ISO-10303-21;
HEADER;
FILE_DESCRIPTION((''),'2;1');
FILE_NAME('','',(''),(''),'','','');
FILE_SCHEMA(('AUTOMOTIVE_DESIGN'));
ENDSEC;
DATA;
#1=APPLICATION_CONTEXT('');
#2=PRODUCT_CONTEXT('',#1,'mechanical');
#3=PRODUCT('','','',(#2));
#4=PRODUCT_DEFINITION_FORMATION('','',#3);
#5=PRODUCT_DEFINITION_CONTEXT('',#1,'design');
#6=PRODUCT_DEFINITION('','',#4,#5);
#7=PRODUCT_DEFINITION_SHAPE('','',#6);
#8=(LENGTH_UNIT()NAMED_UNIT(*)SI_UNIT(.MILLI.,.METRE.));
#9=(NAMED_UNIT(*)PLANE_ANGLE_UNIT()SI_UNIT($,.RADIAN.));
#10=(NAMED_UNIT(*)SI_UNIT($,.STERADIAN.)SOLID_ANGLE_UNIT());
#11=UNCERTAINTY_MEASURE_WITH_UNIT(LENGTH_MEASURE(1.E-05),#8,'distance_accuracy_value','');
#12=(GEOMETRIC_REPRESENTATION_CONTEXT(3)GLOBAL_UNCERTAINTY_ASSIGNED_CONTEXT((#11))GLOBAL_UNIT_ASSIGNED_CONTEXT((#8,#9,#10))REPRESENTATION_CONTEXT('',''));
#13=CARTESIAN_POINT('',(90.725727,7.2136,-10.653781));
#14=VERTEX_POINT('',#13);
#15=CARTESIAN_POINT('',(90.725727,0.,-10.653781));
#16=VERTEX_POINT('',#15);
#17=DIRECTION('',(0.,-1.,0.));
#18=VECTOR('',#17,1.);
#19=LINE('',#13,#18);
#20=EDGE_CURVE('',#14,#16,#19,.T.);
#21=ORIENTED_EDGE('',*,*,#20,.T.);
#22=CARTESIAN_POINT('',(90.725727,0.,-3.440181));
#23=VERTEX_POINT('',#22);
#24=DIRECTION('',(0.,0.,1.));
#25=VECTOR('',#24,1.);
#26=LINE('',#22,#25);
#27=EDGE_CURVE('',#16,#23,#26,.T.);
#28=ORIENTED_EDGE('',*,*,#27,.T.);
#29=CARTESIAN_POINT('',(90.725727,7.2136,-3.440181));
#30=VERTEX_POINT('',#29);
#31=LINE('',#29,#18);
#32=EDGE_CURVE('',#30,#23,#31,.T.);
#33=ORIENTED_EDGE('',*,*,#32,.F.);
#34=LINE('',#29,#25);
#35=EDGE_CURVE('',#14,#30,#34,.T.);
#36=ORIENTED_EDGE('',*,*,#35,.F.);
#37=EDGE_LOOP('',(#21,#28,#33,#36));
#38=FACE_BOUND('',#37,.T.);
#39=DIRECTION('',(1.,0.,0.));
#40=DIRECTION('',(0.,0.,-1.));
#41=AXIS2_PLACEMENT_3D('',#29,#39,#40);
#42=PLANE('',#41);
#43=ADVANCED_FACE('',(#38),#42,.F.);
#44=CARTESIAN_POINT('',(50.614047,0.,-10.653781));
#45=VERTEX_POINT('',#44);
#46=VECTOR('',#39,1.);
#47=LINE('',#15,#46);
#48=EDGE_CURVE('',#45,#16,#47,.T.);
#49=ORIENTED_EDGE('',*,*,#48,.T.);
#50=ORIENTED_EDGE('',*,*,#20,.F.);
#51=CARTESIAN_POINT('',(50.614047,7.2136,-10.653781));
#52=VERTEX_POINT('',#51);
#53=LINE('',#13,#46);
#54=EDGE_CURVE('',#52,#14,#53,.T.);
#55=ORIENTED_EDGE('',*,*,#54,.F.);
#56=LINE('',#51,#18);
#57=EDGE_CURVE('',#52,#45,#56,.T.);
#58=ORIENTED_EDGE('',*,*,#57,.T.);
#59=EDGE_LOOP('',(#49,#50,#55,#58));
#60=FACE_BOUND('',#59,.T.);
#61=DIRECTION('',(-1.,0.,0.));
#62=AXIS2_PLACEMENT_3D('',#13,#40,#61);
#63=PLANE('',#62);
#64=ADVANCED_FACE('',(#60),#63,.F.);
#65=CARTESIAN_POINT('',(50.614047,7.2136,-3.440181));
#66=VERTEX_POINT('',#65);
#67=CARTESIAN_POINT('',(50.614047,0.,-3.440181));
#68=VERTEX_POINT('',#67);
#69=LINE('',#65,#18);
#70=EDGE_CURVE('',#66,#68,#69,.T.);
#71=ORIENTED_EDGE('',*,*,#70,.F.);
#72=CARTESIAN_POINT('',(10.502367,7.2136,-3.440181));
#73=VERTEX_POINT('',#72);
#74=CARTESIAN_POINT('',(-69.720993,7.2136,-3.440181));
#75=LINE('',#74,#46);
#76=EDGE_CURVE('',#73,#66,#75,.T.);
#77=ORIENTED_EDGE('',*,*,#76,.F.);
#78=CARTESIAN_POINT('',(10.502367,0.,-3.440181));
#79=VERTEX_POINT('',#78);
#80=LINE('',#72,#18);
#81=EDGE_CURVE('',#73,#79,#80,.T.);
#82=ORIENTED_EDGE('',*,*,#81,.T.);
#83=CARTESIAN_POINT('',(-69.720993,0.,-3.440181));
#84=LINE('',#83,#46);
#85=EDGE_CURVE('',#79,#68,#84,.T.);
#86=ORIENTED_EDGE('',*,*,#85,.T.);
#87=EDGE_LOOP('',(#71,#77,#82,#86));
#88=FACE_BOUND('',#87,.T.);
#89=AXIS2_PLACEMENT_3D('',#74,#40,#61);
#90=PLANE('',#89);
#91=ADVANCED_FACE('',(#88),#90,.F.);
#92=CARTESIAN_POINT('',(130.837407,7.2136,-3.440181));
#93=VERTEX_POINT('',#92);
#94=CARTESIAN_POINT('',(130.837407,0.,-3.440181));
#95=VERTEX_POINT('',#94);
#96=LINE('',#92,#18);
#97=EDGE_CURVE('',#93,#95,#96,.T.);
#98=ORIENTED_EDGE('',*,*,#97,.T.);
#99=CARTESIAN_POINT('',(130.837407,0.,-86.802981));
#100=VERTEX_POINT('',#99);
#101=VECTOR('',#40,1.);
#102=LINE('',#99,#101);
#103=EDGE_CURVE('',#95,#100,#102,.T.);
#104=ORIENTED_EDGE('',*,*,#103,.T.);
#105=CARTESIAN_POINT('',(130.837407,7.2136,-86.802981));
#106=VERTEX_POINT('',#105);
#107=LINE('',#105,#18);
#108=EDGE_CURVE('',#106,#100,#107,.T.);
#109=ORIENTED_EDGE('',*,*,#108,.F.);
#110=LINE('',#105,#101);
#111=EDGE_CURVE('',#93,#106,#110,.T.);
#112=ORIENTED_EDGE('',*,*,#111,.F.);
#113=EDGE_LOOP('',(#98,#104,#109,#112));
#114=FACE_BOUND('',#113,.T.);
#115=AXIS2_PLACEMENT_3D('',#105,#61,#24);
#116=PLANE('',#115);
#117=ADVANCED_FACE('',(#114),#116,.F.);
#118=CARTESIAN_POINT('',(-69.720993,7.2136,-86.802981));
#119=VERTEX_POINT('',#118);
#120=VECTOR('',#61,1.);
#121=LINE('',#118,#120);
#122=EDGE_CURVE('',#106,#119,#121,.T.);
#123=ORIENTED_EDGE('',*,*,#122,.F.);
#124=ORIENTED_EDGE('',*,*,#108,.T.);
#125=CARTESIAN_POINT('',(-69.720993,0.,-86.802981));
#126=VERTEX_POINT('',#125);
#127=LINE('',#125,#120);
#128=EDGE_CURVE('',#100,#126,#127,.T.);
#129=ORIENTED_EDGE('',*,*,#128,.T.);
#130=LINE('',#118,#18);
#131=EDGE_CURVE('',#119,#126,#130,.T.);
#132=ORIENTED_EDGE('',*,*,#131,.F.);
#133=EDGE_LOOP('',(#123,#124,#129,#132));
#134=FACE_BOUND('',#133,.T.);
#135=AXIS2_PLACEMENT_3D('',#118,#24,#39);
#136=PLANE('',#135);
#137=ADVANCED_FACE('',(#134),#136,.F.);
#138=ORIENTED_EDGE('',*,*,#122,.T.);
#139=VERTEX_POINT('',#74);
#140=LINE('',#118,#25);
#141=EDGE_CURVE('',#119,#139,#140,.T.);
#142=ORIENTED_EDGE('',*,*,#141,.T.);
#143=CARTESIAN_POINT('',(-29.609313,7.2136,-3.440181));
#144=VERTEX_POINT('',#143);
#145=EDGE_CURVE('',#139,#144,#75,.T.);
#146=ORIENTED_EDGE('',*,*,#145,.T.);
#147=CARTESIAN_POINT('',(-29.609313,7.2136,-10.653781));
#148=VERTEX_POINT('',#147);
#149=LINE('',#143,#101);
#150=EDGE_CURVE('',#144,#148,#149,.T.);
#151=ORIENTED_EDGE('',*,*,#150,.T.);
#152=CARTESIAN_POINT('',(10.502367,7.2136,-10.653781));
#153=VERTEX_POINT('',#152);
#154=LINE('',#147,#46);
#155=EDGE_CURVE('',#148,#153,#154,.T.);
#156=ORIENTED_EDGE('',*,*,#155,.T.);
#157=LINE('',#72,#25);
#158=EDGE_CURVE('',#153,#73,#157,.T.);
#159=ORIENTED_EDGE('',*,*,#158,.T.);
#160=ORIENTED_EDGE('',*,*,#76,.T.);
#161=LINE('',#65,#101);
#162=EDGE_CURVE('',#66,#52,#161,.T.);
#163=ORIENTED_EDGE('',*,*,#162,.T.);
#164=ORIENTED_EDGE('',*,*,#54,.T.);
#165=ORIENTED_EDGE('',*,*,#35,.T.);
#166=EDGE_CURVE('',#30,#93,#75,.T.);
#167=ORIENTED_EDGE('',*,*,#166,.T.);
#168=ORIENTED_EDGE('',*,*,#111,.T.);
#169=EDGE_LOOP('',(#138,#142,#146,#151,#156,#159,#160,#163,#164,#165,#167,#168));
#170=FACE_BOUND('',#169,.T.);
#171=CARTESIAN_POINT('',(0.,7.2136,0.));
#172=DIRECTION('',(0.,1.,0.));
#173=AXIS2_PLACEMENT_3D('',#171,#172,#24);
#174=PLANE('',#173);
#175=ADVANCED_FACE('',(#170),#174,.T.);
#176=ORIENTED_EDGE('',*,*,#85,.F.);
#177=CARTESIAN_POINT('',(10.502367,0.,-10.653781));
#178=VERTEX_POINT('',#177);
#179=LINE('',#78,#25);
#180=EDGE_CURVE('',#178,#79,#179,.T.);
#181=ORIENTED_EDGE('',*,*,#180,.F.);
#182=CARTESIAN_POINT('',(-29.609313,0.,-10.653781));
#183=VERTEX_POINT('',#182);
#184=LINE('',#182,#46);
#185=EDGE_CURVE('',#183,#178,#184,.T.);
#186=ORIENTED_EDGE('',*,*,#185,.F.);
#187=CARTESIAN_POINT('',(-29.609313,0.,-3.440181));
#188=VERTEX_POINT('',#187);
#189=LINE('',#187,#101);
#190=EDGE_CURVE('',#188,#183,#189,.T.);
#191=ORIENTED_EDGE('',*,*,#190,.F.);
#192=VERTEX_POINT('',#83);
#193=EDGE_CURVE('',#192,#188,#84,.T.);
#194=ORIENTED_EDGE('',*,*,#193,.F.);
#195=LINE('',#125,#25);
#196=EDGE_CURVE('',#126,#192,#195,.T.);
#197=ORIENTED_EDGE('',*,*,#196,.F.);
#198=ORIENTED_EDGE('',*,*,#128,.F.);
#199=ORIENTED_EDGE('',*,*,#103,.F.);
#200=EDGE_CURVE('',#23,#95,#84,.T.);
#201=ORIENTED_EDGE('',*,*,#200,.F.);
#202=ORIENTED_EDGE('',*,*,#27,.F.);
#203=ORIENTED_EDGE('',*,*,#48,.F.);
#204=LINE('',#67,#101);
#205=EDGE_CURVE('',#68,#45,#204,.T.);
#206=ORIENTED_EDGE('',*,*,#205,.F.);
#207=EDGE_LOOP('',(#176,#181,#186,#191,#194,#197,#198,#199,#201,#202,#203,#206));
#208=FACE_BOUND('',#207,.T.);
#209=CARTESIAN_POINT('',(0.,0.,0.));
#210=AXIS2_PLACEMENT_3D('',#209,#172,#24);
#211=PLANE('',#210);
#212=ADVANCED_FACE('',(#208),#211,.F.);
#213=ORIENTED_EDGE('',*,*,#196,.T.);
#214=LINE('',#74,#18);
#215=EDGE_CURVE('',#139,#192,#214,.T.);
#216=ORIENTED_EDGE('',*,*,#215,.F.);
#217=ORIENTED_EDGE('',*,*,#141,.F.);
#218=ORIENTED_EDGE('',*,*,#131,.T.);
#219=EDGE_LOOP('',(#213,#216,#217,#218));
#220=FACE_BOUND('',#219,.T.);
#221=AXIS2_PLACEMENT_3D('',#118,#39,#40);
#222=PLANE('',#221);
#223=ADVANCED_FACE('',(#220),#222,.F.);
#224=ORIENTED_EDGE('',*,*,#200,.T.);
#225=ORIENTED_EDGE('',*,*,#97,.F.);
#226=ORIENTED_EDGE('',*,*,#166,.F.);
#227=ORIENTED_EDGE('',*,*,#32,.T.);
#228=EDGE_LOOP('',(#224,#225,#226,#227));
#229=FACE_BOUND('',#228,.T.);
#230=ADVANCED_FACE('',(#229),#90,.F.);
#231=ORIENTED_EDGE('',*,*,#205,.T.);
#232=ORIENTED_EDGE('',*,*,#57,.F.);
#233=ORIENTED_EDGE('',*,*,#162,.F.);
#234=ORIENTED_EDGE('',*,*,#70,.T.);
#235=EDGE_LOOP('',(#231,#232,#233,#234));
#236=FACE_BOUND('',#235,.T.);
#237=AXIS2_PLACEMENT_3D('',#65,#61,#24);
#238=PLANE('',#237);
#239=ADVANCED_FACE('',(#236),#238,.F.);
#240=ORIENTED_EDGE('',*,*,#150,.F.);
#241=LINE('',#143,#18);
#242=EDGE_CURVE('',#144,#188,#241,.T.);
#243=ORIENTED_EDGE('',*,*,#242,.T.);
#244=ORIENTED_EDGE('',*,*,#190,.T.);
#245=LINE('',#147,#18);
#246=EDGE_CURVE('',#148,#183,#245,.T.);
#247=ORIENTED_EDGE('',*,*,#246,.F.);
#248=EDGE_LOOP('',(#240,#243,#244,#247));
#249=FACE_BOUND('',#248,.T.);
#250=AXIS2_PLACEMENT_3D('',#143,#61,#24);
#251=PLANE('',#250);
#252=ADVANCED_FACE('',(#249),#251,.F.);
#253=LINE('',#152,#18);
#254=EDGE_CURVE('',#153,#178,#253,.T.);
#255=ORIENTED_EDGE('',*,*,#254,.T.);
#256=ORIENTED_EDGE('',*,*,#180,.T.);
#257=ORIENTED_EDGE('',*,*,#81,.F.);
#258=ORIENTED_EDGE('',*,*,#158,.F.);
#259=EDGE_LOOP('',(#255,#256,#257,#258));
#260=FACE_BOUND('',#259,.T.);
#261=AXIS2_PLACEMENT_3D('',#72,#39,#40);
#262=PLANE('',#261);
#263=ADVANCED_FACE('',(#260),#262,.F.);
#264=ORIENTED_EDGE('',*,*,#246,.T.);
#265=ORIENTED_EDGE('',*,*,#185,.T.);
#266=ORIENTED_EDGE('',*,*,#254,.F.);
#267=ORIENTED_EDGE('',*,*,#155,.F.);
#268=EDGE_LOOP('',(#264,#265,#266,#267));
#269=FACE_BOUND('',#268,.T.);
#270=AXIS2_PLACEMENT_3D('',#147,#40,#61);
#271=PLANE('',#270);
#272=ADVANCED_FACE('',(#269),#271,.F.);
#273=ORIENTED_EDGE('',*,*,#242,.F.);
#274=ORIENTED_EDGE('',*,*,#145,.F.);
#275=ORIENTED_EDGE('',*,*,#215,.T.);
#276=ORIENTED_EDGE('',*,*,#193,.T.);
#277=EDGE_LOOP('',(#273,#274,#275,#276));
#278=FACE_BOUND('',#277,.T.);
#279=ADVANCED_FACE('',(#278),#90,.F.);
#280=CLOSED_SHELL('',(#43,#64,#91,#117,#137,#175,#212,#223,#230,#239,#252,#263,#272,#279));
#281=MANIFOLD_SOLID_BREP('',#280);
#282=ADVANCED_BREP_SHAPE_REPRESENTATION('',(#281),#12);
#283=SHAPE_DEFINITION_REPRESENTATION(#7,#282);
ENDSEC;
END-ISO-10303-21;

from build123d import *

# Parameters (mm, degrees)
SKETCH1_W           = 200.5584
SKETCH1_H           = 83.3628
BOSS_EXTRUDE1_DEPTH = 7.2136
SKETCH2_W           = 40.11168
SKETCH2_H           = 7.2136
CUT_EXTRUDE1_DEPTH  = 158.17894412


with BuildPart() as part:
    # Sketch1 → Boss-Extrude1 (new body)
    with BuildSketch(Plane(origin=(0, 0, 0), x_dir=(1, 0, 0), z_dir=(0, 1, 0))):
        with Locations((30.558206772, 45.121580587)):
            Rectangle(SKETCH1_W, SKETCH1_H)
    extrude(amount=BOSS_EXTRUDE1_DEPTH)

    # Sketch2 → Cut-Extrude1 (cut, through all)
    with BuildSketch(Plane.XZ):
        with Locations((70.669886772, -7.046980587)):
            Rectangle(SKETCH2_W, SKETCH2_H)
        with Locations((-9.553473228, -7.046980587)):
            Rectangle(SKETCH2_W, SKETCH2_H)
    extrude(amount=-CUT_EXTRUDE1_DEPTH, mode=Mode.SUBTRACT)


solid = part.part
